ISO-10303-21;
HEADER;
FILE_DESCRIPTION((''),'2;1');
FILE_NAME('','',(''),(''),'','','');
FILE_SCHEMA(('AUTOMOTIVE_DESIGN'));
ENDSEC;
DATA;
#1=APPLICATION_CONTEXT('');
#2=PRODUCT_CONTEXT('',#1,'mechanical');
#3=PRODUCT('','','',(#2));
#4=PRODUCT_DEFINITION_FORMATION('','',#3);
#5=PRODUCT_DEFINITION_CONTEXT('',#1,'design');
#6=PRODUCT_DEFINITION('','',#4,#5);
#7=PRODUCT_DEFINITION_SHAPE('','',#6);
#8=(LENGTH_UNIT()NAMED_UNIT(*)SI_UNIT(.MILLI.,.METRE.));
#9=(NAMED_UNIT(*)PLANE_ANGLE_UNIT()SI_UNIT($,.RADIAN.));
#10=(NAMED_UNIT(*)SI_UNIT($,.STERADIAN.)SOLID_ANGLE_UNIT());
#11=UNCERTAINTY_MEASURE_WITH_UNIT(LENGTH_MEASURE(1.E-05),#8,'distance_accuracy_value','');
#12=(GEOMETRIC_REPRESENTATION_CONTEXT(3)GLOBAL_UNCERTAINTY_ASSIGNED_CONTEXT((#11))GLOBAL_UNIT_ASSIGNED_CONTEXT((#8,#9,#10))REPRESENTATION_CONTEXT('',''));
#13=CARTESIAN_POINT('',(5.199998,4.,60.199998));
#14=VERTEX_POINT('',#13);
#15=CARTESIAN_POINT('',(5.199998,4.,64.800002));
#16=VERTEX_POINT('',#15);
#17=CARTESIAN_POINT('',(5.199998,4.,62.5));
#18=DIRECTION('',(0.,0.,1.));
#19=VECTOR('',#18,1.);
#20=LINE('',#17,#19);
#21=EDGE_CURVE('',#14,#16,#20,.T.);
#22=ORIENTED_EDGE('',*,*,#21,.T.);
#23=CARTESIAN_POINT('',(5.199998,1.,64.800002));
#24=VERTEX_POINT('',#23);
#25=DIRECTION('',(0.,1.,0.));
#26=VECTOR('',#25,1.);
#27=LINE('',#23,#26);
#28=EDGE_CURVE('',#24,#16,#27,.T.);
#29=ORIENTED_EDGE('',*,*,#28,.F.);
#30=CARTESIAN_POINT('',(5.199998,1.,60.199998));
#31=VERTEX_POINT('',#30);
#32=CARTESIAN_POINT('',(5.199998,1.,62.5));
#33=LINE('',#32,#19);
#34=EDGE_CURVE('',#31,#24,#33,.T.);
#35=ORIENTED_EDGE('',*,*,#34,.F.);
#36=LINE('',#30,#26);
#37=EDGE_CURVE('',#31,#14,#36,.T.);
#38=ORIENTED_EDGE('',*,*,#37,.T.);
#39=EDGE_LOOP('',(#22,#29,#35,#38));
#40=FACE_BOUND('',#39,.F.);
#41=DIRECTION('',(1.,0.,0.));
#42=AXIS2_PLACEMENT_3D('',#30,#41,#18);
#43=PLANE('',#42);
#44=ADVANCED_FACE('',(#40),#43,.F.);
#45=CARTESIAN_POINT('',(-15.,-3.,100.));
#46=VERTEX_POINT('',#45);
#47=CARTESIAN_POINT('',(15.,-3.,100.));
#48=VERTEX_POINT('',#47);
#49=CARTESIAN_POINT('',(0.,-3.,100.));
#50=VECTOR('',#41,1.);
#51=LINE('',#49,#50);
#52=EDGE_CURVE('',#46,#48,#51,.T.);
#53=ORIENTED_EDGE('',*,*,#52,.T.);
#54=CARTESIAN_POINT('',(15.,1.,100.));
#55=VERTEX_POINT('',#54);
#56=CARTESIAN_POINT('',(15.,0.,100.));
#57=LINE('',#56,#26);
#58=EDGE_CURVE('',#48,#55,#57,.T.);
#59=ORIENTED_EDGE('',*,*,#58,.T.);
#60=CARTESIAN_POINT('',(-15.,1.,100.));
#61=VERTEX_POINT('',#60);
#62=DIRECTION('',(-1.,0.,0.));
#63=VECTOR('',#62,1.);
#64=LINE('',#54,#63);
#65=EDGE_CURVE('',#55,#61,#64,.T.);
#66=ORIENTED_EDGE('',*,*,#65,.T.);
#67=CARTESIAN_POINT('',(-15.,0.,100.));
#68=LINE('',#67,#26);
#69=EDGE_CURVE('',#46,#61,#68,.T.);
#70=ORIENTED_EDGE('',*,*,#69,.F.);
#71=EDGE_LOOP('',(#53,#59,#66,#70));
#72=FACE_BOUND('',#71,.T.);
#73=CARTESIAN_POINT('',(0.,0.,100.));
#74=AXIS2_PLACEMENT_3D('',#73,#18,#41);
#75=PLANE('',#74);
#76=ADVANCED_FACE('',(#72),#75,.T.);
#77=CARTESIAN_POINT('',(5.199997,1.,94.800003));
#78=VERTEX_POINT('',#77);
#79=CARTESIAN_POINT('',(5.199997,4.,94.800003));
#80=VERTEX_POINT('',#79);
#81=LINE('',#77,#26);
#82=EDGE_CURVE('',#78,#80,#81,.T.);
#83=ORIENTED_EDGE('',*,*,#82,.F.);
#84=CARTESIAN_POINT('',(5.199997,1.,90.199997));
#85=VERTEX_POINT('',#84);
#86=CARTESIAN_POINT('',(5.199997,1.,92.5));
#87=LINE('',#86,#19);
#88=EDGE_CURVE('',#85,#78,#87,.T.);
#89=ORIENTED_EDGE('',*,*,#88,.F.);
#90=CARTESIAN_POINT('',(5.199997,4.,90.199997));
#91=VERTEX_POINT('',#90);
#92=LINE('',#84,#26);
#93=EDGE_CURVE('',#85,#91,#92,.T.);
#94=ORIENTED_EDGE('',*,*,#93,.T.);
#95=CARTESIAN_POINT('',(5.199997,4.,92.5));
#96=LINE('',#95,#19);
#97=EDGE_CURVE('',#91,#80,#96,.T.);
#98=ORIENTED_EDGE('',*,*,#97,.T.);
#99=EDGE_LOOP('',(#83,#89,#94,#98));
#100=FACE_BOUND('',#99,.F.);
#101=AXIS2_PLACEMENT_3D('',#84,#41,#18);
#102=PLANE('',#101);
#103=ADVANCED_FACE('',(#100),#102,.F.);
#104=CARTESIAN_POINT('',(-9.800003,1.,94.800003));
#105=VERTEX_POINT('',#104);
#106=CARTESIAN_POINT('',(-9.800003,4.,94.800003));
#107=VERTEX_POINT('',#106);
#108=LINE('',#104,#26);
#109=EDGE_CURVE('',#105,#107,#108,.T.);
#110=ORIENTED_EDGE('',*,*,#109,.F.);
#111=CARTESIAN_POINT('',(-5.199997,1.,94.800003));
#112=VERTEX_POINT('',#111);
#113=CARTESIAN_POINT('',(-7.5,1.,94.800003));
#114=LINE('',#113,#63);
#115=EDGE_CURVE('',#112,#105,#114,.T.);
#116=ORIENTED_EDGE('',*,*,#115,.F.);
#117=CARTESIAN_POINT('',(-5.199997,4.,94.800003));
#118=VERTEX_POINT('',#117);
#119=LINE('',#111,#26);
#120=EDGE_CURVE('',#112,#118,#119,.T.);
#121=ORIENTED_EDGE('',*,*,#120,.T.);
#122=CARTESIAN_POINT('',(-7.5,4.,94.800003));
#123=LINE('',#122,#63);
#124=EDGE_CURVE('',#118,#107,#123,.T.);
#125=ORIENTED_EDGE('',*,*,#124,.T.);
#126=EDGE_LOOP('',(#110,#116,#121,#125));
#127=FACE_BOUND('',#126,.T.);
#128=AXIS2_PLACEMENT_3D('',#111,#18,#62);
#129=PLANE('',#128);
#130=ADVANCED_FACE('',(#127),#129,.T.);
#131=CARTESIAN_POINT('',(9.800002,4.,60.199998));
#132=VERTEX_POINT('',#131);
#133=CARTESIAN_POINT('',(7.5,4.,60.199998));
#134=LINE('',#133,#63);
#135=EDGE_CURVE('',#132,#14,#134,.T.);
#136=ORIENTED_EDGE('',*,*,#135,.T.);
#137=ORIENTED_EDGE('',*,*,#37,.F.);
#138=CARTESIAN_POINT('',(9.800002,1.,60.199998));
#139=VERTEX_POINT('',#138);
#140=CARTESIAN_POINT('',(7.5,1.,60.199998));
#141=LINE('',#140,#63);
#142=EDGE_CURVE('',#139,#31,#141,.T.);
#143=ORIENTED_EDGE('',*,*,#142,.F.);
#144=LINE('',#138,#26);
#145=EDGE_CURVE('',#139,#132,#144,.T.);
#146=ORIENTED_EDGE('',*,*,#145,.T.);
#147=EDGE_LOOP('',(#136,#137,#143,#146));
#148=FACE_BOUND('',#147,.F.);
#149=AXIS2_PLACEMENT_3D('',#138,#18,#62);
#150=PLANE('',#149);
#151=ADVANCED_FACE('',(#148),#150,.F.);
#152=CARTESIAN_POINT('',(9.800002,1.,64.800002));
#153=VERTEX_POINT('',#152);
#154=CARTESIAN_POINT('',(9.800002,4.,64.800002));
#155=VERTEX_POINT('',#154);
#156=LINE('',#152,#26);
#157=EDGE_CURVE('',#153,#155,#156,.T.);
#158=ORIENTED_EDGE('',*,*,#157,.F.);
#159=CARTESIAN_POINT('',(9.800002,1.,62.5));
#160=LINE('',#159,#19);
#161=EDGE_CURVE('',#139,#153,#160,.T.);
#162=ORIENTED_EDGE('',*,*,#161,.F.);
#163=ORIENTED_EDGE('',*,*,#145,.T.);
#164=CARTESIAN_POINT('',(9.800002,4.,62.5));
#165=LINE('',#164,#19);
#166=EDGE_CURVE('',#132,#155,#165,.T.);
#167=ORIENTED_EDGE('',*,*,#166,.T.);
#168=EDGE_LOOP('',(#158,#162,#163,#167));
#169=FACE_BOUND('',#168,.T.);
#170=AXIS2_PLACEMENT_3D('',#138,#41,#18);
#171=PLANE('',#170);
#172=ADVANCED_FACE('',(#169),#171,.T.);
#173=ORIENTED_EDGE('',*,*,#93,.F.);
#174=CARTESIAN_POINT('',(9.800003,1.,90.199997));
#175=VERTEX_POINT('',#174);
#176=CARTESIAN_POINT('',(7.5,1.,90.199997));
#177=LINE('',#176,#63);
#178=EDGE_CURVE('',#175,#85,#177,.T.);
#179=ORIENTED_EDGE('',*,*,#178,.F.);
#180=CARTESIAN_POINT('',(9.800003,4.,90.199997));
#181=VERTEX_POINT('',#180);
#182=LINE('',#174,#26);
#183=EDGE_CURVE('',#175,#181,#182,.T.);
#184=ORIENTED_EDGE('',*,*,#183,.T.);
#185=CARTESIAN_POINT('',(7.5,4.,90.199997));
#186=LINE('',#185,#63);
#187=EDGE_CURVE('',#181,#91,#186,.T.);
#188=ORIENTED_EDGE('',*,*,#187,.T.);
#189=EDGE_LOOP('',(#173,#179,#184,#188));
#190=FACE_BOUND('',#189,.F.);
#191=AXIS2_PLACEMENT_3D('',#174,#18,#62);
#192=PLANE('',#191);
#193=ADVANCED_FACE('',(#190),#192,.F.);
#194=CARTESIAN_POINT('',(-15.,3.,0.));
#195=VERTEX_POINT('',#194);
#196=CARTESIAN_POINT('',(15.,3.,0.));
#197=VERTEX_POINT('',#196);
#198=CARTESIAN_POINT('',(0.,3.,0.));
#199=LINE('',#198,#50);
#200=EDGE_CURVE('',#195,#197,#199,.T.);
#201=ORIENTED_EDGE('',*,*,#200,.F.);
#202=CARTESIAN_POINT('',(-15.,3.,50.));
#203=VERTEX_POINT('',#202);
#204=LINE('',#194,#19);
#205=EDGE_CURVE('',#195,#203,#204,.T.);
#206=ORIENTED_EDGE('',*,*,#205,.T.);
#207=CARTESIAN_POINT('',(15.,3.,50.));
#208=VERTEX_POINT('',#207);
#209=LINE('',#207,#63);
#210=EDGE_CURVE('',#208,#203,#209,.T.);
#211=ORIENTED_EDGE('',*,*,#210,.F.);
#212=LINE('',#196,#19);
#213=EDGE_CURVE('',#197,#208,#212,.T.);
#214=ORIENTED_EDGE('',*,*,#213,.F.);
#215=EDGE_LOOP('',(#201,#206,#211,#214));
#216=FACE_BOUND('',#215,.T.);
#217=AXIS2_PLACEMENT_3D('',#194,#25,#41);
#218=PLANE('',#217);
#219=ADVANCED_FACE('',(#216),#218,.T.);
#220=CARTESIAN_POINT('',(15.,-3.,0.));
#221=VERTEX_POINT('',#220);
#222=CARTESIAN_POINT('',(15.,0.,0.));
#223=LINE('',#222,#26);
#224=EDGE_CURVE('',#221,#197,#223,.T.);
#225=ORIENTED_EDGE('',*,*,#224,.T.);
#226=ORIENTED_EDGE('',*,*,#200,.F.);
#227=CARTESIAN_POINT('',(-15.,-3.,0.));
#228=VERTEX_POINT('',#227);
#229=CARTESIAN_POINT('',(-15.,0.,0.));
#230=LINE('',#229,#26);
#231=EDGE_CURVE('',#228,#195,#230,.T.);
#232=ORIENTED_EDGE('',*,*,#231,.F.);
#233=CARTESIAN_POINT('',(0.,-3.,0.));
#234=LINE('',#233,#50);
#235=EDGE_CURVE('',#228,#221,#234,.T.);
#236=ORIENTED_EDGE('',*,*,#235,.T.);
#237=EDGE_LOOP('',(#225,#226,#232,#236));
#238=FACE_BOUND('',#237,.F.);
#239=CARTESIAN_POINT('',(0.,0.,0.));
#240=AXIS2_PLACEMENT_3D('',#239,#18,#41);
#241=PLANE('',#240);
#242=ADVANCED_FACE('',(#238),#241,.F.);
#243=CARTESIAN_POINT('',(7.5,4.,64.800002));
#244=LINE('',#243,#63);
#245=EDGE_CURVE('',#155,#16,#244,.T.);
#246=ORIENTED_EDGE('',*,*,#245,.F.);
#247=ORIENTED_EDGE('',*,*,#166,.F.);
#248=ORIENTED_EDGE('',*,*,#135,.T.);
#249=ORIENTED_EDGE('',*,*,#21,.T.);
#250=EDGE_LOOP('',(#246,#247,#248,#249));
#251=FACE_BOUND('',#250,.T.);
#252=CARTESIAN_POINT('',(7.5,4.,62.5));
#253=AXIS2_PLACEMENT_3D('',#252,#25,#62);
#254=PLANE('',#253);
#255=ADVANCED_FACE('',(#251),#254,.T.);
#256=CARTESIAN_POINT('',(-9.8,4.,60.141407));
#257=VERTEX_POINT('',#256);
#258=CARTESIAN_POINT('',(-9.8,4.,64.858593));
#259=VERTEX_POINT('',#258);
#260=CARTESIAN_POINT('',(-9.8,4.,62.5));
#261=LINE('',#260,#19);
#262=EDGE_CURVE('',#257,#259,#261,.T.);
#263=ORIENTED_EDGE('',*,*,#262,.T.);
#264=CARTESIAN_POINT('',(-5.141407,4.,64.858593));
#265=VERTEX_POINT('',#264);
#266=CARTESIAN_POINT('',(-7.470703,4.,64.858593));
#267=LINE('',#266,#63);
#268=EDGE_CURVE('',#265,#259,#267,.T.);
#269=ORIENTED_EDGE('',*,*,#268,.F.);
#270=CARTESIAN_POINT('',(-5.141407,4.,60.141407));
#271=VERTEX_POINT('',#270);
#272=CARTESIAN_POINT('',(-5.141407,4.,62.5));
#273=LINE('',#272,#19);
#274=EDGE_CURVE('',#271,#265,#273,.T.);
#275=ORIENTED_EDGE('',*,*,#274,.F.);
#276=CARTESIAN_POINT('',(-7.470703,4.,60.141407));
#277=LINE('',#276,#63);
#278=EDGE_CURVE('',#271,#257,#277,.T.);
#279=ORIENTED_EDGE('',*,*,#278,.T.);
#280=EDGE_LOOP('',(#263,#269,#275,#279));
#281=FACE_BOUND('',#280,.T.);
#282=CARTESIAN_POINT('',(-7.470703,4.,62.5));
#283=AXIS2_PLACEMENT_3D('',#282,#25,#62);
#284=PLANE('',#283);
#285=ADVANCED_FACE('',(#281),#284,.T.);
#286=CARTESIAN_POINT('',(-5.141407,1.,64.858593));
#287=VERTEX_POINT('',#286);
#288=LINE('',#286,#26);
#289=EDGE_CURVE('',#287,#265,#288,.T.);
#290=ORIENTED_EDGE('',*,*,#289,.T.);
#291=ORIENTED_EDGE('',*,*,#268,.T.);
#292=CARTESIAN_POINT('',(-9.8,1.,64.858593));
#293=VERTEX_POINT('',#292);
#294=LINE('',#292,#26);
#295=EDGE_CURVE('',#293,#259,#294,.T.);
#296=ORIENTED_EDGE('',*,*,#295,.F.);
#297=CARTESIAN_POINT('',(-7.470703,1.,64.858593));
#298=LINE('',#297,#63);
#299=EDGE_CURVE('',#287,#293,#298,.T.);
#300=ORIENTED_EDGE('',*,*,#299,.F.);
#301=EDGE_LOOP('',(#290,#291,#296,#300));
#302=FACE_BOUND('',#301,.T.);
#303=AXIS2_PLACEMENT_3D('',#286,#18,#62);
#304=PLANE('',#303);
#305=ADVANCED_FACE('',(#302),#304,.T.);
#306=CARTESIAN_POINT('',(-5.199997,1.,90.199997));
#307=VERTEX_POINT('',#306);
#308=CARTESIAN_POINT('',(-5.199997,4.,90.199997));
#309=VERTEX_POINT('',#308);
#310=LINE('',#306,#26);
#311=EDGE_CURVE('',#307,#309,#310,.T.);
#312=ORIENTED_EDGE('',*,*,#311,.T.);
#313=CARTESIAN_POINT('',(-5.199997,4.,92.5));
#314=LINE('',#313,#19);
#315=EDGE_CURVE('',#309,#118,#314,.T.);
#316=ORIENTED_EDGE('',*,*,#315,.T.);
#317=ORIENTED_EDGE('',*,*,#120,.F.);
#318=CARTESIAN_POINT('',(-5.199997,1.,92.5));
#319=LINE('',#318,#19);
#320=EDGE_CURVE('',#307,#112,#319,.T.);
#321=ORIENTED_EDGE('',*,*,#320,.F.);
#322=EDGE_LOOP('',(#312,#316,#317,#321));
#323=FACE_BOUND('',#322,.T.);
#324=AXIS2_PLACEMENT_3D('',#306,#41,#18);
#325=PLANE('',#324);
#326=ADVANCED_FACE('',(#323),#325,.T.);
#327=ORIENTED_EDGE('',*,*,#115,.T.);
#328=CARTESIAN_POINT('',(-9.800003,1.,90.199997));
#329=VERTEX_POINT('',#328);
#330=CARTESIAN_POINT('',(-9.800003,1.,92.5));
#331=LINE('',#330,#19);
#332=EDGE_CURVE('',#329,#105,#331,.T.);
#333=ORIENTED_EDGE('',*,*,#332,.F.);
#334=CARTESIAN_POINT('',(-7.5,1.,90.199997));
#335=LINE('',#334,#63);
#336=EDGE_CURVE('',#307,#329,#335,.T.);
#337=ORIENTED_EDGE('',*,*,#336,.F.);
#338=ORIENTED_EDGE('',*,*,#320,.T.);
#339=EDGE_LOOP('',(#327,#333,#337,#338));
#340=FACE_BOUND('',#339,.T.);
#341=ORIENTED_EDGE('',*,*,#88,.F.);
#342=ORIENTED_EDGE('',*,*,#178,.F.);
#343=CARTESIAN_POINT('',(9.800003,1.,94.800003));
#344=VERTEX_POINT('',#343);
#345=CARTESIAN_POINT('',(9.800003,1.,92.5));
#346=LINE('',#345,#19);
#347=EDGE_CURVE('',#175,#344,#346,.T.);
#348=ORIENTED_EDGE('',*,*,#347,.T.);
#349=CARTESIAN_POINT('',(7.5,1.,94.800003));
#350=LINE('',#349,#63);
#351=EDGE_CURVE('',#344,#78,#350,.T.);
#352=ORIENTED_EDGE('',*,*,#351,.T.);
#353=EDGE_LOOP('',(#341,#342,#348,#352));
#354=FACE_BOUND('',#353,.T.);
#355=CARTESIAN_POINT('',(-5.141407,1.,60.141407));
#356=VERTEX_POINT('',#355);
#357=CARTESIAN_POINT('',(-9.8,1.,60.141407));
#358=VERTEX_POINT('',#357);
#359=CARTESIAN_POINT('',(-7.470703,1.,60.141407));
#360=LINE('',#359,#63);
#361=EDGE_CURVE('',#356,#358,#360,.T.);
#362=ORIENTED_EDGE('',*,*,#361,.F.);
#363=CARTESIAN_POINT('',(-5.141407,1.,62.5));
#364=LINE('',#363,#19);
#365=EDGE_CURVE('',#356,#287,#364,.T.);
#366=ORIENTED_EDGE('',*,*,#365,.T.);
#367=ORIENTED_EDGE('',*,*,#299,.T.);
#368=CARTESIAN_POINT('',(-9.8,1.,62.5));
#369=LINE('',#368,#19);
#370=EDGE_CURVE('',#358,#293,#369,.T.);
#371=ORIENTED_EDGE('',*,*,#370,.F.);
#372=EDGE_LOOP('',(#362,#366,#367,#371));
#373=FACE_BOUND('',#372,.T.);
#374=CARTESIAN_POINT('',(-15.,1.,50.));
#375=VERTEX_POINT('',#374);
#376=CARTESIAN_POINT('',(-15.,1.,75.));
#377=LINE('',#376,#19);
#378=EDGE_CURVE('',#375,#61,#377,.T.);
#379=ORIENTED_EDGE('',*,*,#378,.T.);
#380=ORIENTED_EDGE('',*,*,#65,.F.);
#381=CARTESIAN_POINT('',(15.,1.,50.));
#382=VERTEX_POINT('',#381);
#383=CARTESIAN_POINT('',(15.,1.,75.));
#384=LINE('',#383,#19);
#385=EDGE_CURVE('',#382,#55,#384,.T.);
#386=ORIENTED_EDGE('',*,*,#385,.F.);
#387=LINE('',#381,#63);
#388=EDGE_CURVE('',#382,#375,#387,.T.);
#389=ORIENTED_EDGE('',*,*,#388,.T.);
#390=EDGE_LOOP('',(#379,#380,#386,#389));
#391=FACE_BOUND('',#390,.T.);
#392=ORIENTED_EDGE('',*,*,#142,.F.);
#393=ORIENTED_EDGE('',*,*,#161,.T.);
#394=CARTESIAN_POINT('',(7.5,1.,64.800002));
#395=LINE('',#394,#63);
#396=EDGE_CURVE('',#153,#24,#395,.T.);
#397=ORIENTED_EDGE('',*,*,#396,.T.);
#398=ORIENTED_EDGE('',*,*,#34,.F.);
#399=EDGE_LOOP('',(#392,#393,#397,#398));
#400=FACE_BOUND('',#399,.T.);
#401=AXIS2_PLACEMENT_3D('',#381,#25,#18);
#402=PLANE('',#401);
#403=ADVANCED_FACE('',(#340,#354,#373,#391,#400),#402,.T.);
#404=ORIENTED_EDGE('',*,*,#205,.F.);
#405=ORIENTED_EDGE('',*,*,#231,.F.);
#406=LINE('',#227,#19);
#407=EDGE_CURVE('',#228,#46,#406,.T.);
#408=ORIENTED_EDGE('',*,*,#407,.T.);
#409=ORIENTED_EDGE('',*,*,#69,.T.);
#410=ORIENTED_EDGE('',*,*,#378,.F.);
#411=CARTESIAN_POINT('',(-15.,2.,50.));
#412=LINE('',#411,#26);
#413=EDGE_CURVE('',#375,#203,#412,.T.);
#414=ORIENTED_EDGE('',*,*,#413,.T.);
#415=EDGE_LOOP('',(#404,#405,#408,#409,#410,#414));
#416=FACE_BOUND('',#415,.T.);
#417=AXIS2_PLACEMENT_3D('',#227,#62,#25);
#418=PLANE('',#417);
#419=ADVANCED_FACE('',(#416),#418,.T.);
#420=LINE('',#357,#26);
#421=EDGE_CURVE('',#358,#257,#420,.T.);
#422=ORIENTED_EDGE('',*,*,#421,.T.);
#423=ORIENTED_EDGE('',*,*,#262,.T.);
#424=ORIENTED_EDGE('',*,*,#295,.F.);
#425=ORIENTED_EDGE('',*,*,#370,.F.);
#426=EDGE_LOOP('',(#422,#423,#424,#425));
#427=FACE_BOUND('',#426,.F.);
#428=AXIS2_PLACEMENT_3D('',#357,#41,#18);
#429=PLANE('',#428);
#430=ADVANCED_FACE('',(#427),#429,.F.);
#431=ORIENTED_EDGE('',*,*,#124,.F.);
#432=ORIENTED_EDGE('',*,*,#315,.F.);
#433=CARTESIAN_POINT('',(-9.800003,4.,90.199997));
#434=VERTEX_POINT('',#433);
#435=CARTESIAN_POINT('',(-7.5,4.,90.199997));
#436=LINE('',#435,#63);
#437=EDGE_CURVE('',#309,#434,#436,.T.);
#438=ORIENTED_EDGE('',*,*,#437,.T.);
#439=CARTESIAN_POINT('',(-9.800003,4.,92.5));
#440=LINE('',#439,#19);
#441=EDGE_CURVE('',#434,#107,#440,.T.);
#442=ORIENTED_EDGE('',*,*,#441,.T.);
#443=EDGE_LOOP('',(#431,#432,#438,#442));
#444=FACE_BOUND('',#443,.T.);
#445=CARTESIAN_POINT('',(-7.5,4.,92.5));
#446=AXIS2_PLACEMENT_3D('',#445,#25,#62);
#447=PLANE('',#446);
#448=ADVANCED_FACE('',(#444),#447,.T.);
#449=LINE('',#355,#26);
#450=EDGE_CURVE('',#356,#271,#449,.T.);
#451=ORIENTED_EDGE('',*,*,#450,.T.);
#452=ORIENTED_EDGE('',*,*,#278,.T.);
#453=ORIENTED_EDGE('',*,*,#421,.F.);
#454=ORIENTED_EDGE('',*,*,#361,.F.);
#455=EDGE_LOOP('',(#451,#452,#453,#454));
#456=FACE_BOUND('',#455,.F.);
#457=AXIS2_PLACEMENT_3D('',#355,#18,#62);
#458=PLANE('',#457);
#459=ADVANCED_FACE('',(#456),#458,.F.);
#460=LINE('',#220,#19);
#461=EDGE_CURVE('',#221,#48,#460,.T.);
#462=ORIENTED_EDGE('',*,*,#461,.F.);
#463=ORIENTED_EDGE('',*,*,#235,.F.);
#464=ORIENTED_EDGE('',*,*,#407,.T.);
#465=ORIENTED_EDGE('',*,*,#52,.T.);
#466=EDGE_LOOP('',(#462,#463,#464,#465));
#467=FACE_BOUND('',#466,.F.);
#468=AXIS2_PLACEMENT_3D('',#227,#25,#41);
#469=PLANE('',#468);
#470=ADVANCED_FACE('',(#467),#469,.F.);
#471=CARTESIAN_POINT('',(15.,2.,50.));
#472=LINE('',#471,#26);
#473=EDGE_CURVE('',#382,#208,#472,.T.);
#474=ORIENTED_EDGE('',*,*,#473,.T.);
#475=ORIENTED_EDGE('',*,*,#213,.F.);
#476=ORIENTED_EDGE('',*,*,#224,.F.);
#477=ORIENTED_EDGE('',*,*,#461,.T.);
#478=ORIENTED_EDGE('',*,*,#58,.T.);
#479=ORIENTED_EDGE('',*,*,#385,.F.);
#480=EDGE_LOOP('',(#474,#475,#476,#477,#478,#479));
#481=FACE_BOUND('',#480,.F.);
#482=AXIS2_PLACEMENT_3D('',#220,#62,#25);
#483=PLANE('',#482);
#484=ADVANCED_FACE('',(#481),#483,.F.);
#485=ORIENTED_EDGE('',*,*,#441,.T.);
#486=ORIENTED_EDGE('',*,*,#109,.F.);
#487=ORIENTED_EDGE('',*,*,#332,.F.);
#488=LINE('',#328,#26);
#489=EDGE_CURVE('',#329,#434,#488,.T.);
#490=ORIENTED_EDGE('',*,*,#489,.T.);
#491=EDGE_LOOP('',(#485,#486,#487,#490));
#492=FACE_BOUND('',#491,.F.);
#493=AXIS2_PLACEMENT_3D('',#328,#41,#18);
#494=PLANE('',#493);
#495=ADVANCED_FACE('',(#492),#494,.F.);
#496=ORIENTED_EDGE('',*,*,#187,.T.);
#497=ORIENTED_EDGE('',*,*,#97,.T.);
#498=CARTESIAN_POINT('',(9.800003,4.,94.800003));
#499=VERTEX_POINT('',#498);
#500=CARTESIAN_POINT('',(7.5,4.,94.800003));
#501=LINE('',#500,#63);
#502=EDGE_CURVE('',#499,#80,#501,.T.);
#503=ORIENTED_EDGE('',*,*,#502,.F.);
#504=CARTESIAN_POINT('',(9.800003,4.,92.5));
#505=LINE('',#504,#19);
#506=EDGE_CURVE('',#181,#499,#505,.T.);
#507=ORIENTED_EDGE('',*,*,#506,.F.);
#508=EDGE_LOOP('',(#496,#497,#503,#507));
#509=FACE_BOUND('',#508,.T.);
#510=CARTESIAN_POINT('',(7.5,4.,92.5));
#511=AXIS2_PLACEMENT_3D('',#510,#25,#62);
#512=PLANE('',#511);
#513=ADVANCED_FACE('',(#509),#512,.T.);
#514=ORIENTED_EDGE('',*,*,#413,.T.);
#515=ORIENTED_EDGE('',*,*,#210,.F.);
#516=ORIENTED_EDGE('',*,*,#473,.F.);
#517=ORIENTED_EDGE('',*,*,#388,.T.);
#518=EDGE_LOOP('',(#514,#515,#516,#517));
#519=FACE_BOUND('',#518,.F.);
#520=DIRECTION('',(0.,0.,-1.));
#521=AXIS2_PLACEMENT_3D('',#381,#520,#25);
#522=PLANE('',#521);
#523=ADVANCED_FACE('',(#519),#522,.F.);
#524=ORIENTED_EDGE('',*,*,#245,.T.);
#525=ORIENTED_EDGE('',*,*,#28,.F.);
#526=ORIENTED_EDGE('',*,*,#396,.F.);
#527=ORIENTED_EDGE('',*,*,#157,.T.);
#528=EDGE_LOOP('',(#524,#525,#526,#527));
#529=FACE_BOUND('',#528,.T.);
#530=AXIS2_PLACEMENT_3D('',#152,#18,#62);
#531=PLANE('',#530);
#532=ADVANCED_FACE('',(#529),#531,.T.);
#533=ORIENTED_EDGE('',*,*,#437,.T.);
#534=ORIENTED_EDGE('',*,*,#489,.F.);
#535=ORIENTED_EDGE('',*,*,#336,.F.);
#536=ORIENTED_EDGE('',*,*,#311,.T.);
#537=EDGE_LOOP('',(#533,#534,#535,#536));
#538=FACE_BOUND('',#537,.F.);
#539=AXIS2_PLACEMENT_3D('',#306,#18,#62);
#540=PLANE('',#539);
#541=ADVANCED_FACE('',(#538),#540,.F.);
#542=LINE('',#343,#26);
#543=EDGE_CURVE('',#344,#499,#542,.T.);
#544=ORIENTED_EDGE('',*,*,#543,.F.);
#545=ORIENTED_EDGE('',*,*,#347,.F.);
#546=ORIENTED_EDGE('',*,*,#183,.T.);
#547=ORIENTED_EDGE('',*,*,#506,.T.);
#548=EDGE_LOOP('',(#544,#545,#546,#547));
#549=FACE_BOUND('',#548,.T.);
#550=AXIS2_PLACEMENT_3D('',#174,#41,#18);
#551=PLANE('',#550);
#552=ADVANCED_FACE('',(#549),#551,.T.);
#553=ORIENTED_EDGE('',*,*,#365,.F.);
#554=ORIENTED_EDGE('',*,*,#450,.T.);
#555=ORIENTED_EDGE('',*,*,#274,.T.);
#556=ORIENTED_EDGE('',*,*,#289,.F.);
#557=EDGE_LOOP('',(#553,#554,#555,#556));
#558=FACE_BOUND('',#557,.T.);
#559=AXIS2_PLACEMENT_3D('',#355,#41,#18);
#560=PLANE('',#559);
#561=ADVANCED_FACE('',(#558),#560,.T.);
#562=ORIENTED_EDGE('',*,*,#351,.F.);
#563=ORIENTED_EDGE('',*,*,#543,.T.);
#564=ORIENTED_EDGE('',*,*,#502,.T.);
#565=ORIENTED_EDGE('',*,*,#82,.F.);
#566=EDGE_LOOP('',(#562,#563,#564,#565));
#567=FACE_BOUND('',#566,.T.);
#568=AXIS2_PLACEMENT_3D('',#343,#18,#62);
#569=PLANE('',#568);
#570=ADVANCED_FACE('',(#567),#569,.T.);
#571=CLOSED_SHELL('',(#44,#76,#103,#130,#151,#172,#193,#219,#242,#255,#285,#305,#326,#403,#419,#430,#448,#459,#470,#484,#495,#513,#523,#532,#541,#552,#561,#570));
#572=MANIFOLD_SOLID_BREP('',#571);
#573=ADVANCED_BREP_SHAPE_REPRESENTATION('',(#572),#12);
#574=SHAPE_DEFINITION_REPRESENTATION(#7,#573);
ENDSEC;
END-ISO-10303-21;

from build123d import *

# Parameters (mm, degrees)
F0_W     = 30
F0_H     = 6
F1_DEPTH = 100
F2_W     = 2
F2_H     = 50
F3_DEPTH = 30
F4_W     = 4.600006
F4_H     = 4.600006
F4_W_2   = 4.600004
F4_H_2   = 4.600004
F4_W_3   = 4.658593
F4_H_3   = 4.717186
F5_DEPTH = 3


with BuildPart() as f1:
    # F0 (on Top) → F1 (new body)
    with BuildSketch(Plane.XY):
        Rectangle(F0_W, F0_H)
    extrude(amount=F1_DEPTH)

    # F2 (on face) → F3 (cut, through all)
    with BuildSketch(Plane.YZ.offset(15)):
        with Locations((2, 75)):
            Rectangle(F2_W, F2_H)
    extrude(amount=-F3_DEPTH, mode=Mode.SUBTRACT)

    # F4 (on face) → F5 (join)
    with BuildSketch(Plane(origin=(0, 1, 0), x_dir=(-1, 0, 0), z_dir=(0, 1, 0))):
        with Locations((-7.5, 92.5)):
            Rectangle(F4_W, F4_H)
        with Locations((7.5, 92.5)):
            Rectangle(F4_W, F4_H)
        with Locations((-7.5, 62.5)):
            Rectangle(F4_W_2, F4_H_2)
        with Locations((7.470703, 62.5)):
            Rectangle(F4_W_3, F4_H_3)
    extrude(amount=F5_DEPTH)


solid = f1.part
